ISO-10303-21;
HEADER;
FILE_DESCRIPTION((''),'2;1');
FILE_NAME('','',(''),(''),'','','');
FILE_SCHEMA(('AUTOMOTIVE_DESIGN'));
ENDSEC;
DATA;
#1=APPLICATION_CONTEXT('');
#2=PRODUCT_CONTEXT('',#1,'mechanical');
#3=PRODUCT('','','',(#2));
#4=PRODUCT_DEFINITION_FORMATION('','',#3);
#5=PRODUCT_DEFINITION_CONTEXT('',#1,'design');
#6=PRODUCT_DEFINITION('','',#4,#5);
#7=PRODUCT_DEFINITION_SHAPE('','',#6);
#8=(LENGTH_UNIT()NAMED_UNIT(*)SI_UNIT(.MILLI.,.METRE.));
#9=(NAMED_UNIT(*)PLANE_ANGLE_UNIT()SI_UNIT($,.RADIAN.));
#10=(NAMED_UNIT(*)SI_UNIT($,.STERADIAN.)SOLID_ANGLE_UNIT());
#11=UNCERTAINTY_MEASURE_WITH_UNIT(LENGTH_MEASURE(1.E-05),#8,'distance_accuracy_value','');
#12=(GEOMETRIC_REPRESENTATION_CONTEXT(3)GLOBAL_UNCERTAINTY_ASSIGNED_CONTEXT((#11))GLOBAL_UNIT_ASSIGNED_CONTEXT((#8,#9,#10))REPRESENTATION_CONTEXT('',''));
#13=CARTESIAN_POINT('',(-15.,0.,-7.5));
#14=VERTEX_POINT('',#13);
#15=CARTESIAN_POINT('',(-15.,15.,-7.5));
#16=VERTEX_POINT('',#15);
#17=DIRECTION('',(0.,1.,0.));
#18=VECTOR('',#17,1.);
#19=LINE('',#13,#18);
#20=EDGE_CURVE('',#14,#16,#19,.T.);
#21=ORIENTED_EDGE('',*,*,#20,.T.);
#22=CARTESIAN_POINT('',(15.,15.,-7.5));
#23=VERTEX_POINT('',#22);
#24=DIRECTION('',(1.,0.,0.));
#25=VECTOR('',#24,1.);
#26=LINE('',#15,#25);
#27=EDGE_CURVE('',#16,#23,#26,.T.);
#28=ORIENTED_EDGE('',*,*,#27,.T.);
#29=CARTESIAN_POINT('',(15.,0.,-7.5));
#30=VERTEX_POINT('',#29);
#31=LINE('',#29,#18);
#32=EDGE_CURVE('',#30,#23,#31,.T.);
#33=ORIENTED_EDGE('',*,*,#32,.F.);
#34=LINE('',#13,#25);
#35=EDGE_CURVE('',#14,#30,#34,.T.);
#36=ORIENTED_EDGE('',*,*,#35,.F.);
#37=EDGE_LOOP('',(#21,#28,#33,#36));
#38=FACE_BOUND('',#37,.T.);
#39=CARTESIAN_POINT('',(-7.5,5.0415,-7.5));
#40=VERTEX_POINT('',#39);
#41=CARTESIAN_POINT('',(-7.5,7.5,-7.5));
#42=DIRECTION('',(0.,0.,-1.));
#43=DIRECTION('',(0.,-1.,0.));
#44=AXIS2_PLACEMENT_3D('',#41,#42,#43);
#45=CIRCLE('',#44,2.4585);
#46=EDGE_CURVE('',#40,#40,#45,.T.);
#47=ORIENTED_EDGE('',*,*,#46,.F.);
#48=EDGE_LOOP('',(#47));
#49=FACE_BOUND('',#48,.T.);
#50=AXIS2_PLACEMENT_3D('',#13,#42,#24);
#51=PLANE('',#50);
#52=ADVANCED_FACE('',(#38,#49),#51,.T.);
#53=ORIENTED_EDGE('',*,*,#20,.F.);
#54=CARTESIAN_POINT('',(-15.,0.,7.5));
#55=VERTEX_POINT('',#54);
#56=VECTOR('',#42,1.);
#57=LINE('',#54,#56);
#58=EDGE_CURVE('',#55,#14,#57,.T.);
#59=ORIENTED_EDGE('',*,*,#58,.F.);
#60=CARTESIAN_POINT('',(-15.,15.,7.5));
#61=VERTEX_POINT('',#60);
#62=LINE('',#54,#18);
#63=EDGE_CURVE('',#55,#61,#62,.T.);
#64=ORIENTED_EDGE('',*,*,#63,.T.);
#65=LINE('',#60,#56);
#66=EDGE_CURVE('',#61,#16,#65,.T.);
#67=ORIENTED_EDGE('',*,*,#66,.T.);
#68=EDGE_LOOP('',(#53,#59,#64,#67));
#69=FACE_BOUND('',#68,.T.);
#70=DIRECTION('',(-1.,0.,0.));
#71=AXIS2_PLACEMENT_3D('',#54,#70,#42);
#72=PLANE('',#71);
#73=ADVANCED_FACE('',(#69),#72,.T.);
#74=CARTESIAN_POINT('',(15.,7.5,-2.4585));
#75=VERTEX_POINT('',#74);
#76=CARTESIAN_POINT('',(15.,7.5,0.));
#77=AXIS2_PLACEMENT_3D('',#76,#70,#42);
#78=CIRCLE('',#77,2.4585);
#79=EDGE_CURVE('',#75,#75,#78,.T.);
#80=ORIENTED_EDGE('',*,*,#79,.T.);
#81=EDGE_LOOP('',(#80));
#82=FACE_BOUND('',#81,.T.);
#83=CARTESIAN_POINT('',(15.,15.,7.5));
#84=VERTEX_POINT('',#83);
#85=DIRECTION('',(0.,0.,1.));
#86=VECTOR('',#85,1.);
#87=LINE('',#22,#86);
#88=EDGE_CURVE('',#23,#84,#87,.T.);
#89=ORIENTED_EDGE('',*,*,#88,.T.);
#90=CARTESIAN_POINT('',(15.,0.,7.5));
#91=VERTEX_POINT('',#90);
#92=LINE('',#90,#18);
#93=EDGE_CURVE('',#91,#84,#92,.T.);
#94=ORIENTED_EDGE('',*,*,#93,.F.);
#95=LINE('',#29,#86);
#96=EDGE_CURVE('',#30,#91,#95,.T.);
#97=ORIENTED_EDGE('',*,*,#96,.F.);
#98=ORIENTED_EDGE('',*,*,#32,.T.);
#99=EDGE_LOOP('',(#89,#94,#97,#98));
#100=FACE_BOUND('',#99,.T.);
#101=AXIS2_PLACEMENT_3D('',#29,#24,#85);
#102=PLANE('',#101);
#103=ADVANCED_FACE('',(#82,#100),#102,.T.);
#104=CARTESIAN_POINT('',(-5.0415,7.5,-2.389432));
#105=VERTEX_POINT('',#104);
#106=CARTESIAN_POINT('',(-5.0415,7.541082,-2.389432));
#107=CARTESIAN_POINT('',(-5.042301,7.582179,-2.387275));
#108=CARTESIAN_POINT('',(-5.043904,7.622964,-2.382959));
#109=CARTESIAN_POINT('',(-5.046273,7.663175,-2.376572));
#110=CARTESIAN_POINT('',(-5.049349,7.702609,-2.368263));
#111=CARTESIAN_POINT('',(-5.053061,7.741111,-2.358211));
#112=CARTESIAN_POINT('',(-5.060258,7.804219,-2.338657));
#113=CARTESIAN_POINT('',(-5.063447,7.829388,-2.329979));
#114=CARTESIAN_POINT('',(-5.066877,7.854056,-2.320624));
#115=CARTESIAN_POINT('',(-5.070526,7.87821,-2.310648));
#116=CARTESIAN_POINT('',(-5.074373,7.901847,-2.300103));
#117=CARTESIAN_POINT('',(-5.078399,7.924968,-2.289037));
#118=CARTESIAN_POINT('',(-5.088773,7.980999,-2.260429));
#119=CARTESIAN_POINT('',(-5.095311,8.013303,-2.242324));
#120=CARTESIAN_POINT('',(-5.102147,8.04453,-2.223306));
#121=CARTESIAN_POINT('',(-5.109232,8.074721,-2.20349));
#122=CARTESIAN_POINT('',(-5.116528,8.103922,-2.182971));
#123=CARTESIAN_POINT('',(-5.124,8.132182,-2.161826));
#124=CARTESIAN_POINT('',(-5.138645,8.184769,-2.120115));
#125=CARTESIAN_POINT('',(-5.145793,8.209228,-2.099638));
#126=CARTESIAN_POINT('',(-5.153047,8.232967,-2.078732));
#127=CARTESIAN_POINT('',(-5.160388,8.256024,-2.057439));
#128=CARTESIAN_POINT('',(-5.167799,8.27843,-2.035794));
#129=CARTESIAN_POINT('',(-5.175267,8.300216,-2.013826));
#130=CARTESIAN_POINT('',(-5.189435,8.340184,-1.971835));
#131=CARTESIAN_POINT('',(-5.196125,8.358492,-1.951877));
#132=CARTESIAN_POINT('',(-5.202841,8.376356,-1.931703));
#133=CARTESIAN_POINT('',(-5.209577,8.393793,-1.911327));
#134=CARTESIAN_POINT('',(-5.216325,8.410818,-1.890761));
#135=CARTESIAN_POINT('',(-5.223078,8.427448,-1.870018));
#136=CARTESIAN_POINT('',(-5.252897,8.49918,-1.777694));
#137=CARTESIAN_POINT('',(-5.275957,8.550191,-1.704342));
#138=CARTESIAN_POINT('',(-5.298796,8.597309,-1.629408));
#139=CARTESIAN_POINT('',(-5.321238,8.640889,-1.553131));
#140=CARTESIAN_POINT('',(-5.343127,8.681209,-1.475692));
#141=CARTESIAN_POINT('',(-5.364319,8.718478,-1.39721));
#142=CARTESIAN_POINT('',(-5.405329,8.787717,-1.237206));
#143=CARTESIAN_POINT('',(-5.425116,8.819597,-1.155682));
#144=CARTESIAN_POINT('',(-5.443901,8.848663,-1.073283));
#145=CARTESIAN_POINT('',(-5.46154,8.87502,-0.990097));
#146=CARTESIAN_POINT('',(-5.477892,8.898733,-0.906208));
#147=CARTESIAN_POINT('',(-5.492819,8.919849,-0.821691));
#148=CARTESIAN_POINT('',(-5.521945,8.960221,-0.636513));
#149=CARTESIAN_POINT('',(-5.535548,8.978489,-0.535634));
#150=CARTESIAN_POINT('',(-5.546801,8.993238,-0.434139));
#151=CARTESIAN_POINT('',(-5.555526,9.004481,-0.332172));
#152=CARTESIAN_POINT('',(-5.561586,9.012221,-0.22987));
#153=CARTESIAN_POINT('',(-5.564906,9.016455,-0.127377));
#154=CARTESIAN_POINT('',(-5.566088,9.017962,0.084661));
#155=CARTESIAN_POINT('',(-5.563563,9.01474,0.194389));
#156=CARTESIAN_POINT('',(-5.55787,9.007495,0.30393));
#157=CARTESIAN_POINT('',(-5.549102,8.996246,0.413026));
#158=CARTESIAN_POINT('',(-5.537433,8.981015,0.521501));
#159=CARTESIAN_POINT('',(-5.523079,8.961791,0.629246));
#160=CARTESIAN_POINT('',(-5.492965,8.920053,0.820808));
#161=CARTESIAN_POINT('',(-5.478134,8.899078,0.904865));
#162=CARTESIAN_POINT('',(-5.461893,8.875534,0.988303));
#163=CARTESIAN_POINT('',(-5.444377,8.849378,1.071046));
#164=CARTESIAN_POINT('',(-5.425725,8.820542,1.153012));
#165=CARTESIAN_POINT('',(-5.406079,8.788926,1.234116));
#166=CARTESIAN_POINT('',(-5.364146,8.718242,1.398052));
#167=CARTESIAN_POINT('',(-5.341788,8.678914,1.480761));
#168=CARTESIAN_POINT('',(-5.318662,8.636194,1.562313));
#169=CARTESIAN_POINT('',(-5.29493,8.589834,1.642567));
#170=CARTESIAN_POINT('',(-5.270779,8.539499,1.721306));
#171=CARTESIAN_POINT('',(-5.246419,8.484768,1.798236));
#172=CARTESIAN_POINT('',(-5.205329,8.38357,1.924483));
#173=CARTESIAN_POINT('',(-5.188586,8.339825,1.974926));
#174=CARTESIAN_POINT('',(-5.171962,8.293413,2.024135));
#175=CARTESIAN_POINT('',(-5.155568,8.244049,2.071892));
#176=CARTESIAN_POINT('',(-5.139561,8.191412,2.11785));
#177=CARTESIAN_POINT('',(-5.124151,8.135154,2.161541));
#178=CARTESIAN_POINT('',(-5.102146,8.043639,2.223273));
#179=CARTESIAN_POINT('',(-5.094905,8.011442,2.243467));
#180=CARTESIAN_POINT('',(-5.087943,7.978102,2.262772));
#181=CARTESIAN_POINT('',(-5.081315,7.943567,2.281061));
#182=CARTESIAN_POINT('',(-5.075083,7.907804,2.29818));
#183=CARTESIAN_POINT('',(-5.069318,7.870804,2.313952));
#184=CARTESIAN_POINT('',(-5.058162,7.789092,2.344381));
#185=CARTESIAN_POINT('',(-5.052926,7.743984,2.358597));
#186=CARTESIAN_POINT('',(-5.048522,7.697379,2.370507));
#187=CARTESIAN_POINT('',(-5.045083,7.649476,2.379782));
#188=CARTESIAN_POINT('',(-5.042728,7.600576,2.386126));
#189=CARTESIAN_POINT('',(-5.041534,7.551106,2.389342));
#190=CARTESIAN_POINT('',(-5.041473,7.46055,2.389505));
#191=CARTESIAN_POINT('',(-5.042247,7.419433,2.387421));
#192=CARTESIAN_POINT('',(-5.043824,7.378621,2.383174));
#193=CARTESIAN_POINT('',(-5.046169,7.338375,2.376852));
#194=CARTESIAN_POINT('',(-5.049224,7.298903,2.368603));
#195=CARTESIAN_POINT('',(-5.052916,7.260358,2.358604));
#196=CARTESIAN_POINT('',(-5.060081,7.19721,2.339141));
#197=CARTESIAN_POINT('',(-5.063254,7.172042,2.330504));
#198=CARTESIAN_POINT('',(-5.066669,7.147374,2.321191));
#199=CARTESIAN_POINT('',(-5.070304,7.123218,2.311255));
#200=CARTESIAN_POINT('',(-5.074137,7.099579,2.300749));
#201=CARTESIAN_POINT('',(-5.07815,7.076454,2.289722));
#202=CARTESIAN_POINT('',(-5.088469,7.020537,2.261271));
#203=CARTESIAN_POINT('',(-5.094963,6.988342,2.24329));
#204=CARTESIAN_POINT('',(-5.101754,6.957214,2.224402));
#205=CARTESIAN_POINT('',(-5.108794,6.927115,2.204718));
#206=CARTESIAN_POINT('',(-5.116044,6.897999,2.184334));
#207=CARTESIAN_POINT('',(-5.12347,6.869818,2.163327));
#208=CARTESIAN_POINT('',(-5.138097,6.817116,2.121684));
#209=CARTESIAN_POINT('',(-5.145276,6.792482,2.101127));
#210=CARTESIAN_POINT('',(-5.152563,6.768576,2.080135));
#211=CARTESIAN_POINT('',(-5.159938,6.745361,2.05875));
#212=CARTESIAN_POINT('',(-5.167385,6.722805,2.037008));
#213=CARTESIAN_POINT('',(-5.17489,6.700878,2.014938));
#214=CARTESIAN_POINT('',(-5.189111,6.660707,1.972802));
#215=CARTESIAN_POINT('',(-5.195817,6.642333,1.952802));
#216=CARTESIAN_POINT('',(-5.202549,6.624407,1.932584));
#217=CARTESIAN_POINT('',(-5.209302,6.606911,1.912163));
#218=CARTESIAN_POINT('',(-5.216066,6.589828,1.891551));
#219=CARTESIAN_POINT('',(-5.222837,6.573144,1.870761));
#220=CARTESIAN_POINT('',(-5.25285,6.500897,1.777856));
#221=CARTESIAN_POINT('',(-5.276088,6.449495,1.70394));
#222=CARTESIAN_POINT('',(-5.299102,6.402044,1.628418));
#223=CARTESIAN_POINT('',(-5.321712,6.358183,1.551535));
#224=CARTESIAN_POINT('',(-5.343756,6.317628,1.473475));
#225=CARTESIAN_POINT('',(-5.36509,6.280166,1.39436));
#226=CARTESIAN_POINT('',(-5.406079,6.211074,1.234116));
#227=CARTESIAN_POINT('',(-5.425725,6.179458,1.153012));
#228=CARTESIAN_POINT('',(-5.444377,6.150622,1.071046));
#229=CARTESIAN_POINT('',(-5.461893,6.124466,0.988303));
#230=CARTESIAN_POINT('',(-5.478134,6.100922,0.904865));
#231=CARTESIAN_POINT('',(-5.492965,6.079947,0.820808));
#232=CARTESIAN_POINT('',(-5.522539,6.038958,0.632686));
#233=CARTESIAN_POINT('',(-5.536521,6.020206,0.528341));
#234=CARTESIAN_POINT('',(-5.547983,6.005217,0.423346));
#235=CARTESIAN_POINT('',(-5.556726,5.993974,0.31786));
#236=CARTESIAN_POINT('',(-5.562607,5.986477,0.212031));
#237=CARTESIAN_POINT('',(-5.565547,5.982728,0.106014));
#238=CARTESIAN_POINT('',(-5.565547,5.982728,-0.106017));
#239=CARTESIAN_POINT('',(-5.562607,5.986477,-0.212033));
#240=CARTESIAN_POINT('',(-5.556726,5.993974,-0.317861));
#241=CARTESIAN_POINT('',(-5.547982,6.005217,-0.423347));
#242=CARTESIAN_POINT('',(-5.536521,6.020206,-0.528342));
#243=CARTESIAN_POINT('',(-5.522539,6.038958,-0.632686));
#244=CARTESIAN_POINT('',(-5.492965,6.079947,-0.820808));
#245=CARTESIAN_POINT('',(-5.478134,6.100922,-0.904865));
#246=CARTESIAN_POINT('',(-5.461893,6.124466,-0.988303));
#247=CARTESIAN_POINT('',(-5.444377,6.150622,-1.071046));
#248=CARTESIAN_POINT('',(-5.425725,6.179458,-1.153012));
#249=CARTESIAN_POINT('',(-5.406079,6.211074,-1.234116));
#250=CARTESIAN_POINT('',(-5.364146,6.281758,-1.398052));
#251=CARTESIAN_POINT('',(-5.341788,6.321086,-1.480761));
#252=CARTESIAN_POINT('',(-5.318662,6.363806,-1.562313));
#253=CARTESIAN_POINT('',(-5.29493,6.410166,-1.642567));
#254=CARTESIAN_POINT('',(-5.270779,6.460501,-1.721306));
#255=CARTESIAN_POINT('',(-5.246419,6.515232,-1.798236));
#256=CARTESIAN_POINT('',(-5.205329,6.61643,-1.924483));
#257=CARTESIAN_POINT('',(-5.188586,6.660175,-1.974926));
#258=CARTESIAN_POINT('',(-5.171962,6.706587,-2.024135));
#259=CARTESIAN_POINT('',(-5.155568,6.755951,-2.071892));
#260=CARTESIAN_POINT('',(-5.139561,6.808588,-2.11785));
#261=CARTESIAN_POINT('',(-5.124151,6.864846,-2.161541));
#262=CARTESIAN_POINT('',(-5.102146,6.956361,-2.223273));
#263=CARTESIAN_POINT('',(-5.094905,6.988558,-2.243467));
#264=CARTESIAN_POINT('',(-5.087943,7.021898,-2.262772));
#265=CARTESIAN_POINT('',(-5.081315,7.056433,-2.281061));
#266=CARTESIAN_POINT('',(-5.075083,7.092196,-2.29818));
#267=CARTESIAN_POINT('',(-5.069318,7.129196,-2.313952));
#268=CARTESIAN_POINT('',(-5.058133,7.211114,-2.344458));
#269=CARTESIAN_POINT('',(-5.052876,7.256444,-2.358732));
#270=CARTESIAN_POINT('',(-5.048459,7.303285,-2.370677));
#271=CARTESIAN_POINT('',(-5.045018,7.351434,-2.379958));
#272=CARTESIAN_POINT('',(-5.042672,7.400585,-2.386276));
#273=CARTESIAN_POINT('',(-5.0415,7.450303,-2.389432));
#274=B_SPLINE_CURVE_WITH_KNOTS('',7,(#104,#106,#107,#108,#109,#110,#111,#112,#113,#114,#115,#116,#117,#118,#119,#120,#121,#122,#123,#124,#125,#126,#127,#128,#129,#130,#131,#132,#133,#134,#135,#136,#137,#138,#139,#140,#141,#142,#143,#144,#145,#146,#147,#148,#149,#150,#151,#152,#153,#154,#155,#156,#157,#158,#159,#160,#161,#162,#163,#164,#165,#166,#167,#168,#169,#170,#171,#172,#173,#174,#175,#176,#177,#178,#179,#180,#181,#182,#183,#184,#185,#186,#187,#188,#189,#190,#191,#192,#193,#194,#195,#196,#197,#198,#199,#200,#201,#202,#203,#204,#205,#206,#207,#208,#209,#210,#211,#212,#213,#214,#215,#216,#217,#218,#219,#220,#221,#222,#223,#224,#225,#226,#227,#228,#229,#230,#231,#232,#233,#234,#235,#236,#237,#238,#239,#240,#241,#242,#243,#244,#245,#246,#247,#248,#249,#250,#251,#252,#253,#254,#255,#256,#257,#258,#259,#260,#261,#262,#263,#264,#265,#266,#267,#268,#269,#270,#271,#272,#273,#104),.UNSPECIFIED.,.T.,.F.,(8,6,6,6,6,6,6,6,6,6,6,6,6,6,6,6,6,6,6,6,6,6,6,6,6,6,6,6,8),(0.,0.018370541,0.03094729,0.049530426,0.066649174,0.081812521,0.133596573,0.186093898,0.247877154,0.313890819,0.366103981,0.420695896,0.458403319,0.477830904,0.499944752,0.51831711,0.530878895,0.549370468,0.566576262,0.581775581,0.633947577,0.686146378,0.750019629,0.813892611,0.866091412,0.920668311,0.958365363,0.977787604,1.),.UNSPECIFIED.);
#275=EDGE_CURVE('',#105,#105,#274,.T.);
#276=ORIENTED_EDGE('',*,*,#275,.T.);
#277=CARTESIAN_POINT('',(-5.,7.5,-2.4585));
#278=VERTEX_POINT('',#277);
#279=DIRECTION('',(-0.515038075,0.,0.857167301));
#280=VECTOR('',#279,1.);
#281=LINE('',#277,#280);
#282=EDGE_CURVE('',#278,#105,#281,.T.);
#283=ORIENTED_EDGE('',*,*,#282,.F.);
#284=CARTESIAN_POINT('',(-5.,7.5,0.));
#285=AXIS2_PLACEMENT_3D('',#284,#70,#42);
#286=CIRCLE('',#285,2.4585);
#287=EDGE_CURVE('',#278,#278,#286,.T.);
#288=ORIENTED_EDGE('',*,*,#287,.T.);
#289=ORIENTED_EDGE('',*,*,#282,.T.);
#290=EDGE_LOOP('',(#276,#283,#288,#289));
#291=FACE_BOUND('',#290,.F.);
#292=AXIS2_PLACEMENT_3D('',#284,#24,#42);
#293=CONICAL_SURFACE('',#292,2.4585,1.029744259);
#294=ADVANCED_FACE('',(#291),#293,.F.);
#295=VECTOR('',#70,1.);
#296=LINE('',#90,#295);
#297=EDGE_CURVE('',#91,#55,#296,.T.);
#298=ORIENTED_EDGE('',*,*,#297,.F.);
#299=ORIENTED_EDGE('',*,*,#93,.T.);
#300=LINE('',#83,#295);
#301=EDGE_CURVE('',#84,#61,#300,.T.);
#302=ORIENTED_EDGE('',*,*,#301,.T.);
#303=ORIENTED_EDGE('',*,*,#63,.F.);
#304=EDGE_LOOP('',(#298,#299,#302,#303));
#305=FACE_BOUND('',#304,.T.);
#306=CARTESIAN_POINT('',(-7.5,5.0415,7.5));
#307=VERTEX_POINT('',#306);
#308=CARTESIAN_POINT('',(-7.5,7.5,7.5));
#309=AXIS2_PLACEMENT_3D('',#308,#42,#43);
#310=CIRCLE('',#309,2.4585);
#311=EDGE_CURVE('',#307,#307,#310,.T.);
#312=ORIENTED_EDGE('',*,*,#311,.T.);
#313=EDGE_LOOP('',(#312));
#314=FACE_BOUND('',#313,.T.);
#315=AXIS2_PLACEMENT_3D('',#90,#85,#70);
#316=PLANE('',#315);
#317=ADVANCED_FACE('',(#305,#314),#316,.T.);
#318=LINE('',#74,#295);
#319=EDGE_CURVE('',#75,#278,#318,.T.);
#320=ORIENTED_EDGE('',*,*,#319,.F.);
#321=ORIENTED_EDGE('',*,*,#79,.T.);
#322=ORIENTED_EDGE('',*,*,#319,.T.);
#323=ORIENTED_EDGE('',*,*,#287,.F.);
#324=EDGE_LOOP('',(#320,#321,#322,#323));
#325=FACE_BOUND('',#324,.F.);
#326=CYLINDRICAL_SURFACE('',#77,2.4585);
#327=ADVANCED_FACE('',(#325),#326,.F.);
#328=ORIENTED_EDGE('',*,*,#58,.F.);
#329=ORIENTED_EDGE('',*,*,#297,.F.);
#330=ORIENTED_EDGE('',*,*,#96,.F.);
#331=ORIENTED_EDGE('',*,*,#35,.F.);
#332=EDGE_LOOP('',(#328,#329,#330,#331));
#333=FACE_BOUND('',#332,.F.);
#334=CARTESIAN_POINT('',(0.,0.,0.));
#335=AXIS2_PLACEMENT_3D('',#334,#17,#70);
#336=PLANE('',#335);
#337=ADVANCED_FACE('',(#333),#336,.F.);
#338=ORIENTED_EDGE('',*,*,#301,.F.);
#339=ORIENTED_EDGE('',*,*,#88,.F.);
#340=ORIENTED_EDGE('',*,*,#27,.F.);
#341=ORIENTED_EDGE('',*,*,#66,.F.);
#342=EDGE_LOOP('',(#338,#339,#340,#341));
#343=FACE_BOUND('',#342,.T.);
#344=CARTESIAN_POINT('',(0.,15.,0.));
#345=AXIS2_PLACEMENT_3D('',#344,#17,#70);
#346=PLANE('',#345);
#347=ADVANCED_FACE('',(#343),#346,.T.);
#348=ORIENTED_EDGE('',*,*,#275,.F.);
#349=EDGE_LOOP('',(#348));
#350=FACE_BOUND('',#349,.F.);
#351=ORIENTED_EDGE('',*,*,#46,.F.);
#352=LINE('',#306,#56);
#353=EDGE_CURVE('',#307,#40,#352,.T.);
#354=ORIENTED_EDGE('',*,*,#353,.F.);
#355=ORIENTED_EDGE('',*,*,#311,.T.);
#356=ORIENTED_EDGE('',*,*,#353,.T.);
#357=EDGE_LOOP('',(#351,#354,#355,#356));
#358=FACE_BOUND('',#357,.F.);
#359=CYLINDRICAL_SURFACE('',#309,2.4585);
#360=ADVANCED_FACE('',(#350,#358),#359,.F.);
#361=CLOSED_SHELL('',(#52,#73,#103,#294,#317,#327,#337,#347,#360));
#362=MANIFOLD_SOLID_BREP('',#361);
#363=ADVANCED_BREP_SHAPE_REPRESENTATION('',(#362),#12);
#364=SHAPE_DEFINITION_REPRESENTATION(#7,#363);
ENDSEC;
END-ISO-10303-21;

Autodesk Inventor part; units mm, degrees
ref_plane "YZ Plane" through (0, 0, 0) normal (1, 0, 0) x (0, 1, 0)
ref_plane "XZ Plane" through (0, 0, 0) normal (0, 1, 0) x (-1, 0, 0)
ref_plane "XY Plane" through (0, 0, 0) normal (0, 0, 1) x (1, 0, 0)
sketch "Skizze1" plane through (0, 0, 0) normal (0, 1, 0) x (-1, 0, 0)
  line L0 (15, -7.5) -> (-15, -7.5)
  line L1 (-15, -7.5) -> (-15, 7.5)
  line L2 (-15, 7.5) -> (15, 7.5)
  line L3 (15, 7.5) -> (15, -7.5)
  line L4 (15, -7.5) -> (-15, 7.5) construction
  line L5 (-15, -7.5) -> (15, 7.5) construction
  point P0 (0, 0)
  dimension "d0" = 15
  dimension "d1" = 30
extrude "Extrusion1" add sketch "Skizze1" along normal blind 15
sketch "Skizze2" plane through (15, 0, 7.5) normal (1, 0, 0) x (0, 0, -1)
  circle A0 centre (7.5, 7.5) radius 4
  line L0 (0, 0) -> (0, 15) projected
  point P0 (7.5, 0)
  dimension "d4" = 7.5
  dimension "d5" = 8
  dimension "d47" = 7.5
hole "Bohrung1" at (15, 7.5, 0) direction (-1, 0, 0) diameter 4.917 depth 20 tip angle 118 thread size "M6x1" class "6H" standard "ISO Metric profile"
sketch "Skizze4" plane through (-15, 0, 7.5) normal (0, 0, 1) x (1, 0, 0)
  circle A0 centre (7.5, 7.5) radius 2.1663
  line L0 (30, 0) -> (0, 0) projected
  line L1 (0, 0) -> (0, 15) projected
  circle A1 centre (22, 15) radius 3.1386
  line L2 (30, 0) -> (30, 15) projected
  point P0 (15, 0)
  dimension "d27" = 7.5
  dimension "d28" = 7.5
  dimension "d29" = 15
  dimension "d30" = 8
hole "Bohrung3" at (-7.5, 7.5, 7.5) direction (0, 0, -1) diameter 4.917 depth 15 tip angle 118 thread size "M6x1" class "6H" standard "ISO Metric profile"
properties part number "alublock" material "Kupfer"
